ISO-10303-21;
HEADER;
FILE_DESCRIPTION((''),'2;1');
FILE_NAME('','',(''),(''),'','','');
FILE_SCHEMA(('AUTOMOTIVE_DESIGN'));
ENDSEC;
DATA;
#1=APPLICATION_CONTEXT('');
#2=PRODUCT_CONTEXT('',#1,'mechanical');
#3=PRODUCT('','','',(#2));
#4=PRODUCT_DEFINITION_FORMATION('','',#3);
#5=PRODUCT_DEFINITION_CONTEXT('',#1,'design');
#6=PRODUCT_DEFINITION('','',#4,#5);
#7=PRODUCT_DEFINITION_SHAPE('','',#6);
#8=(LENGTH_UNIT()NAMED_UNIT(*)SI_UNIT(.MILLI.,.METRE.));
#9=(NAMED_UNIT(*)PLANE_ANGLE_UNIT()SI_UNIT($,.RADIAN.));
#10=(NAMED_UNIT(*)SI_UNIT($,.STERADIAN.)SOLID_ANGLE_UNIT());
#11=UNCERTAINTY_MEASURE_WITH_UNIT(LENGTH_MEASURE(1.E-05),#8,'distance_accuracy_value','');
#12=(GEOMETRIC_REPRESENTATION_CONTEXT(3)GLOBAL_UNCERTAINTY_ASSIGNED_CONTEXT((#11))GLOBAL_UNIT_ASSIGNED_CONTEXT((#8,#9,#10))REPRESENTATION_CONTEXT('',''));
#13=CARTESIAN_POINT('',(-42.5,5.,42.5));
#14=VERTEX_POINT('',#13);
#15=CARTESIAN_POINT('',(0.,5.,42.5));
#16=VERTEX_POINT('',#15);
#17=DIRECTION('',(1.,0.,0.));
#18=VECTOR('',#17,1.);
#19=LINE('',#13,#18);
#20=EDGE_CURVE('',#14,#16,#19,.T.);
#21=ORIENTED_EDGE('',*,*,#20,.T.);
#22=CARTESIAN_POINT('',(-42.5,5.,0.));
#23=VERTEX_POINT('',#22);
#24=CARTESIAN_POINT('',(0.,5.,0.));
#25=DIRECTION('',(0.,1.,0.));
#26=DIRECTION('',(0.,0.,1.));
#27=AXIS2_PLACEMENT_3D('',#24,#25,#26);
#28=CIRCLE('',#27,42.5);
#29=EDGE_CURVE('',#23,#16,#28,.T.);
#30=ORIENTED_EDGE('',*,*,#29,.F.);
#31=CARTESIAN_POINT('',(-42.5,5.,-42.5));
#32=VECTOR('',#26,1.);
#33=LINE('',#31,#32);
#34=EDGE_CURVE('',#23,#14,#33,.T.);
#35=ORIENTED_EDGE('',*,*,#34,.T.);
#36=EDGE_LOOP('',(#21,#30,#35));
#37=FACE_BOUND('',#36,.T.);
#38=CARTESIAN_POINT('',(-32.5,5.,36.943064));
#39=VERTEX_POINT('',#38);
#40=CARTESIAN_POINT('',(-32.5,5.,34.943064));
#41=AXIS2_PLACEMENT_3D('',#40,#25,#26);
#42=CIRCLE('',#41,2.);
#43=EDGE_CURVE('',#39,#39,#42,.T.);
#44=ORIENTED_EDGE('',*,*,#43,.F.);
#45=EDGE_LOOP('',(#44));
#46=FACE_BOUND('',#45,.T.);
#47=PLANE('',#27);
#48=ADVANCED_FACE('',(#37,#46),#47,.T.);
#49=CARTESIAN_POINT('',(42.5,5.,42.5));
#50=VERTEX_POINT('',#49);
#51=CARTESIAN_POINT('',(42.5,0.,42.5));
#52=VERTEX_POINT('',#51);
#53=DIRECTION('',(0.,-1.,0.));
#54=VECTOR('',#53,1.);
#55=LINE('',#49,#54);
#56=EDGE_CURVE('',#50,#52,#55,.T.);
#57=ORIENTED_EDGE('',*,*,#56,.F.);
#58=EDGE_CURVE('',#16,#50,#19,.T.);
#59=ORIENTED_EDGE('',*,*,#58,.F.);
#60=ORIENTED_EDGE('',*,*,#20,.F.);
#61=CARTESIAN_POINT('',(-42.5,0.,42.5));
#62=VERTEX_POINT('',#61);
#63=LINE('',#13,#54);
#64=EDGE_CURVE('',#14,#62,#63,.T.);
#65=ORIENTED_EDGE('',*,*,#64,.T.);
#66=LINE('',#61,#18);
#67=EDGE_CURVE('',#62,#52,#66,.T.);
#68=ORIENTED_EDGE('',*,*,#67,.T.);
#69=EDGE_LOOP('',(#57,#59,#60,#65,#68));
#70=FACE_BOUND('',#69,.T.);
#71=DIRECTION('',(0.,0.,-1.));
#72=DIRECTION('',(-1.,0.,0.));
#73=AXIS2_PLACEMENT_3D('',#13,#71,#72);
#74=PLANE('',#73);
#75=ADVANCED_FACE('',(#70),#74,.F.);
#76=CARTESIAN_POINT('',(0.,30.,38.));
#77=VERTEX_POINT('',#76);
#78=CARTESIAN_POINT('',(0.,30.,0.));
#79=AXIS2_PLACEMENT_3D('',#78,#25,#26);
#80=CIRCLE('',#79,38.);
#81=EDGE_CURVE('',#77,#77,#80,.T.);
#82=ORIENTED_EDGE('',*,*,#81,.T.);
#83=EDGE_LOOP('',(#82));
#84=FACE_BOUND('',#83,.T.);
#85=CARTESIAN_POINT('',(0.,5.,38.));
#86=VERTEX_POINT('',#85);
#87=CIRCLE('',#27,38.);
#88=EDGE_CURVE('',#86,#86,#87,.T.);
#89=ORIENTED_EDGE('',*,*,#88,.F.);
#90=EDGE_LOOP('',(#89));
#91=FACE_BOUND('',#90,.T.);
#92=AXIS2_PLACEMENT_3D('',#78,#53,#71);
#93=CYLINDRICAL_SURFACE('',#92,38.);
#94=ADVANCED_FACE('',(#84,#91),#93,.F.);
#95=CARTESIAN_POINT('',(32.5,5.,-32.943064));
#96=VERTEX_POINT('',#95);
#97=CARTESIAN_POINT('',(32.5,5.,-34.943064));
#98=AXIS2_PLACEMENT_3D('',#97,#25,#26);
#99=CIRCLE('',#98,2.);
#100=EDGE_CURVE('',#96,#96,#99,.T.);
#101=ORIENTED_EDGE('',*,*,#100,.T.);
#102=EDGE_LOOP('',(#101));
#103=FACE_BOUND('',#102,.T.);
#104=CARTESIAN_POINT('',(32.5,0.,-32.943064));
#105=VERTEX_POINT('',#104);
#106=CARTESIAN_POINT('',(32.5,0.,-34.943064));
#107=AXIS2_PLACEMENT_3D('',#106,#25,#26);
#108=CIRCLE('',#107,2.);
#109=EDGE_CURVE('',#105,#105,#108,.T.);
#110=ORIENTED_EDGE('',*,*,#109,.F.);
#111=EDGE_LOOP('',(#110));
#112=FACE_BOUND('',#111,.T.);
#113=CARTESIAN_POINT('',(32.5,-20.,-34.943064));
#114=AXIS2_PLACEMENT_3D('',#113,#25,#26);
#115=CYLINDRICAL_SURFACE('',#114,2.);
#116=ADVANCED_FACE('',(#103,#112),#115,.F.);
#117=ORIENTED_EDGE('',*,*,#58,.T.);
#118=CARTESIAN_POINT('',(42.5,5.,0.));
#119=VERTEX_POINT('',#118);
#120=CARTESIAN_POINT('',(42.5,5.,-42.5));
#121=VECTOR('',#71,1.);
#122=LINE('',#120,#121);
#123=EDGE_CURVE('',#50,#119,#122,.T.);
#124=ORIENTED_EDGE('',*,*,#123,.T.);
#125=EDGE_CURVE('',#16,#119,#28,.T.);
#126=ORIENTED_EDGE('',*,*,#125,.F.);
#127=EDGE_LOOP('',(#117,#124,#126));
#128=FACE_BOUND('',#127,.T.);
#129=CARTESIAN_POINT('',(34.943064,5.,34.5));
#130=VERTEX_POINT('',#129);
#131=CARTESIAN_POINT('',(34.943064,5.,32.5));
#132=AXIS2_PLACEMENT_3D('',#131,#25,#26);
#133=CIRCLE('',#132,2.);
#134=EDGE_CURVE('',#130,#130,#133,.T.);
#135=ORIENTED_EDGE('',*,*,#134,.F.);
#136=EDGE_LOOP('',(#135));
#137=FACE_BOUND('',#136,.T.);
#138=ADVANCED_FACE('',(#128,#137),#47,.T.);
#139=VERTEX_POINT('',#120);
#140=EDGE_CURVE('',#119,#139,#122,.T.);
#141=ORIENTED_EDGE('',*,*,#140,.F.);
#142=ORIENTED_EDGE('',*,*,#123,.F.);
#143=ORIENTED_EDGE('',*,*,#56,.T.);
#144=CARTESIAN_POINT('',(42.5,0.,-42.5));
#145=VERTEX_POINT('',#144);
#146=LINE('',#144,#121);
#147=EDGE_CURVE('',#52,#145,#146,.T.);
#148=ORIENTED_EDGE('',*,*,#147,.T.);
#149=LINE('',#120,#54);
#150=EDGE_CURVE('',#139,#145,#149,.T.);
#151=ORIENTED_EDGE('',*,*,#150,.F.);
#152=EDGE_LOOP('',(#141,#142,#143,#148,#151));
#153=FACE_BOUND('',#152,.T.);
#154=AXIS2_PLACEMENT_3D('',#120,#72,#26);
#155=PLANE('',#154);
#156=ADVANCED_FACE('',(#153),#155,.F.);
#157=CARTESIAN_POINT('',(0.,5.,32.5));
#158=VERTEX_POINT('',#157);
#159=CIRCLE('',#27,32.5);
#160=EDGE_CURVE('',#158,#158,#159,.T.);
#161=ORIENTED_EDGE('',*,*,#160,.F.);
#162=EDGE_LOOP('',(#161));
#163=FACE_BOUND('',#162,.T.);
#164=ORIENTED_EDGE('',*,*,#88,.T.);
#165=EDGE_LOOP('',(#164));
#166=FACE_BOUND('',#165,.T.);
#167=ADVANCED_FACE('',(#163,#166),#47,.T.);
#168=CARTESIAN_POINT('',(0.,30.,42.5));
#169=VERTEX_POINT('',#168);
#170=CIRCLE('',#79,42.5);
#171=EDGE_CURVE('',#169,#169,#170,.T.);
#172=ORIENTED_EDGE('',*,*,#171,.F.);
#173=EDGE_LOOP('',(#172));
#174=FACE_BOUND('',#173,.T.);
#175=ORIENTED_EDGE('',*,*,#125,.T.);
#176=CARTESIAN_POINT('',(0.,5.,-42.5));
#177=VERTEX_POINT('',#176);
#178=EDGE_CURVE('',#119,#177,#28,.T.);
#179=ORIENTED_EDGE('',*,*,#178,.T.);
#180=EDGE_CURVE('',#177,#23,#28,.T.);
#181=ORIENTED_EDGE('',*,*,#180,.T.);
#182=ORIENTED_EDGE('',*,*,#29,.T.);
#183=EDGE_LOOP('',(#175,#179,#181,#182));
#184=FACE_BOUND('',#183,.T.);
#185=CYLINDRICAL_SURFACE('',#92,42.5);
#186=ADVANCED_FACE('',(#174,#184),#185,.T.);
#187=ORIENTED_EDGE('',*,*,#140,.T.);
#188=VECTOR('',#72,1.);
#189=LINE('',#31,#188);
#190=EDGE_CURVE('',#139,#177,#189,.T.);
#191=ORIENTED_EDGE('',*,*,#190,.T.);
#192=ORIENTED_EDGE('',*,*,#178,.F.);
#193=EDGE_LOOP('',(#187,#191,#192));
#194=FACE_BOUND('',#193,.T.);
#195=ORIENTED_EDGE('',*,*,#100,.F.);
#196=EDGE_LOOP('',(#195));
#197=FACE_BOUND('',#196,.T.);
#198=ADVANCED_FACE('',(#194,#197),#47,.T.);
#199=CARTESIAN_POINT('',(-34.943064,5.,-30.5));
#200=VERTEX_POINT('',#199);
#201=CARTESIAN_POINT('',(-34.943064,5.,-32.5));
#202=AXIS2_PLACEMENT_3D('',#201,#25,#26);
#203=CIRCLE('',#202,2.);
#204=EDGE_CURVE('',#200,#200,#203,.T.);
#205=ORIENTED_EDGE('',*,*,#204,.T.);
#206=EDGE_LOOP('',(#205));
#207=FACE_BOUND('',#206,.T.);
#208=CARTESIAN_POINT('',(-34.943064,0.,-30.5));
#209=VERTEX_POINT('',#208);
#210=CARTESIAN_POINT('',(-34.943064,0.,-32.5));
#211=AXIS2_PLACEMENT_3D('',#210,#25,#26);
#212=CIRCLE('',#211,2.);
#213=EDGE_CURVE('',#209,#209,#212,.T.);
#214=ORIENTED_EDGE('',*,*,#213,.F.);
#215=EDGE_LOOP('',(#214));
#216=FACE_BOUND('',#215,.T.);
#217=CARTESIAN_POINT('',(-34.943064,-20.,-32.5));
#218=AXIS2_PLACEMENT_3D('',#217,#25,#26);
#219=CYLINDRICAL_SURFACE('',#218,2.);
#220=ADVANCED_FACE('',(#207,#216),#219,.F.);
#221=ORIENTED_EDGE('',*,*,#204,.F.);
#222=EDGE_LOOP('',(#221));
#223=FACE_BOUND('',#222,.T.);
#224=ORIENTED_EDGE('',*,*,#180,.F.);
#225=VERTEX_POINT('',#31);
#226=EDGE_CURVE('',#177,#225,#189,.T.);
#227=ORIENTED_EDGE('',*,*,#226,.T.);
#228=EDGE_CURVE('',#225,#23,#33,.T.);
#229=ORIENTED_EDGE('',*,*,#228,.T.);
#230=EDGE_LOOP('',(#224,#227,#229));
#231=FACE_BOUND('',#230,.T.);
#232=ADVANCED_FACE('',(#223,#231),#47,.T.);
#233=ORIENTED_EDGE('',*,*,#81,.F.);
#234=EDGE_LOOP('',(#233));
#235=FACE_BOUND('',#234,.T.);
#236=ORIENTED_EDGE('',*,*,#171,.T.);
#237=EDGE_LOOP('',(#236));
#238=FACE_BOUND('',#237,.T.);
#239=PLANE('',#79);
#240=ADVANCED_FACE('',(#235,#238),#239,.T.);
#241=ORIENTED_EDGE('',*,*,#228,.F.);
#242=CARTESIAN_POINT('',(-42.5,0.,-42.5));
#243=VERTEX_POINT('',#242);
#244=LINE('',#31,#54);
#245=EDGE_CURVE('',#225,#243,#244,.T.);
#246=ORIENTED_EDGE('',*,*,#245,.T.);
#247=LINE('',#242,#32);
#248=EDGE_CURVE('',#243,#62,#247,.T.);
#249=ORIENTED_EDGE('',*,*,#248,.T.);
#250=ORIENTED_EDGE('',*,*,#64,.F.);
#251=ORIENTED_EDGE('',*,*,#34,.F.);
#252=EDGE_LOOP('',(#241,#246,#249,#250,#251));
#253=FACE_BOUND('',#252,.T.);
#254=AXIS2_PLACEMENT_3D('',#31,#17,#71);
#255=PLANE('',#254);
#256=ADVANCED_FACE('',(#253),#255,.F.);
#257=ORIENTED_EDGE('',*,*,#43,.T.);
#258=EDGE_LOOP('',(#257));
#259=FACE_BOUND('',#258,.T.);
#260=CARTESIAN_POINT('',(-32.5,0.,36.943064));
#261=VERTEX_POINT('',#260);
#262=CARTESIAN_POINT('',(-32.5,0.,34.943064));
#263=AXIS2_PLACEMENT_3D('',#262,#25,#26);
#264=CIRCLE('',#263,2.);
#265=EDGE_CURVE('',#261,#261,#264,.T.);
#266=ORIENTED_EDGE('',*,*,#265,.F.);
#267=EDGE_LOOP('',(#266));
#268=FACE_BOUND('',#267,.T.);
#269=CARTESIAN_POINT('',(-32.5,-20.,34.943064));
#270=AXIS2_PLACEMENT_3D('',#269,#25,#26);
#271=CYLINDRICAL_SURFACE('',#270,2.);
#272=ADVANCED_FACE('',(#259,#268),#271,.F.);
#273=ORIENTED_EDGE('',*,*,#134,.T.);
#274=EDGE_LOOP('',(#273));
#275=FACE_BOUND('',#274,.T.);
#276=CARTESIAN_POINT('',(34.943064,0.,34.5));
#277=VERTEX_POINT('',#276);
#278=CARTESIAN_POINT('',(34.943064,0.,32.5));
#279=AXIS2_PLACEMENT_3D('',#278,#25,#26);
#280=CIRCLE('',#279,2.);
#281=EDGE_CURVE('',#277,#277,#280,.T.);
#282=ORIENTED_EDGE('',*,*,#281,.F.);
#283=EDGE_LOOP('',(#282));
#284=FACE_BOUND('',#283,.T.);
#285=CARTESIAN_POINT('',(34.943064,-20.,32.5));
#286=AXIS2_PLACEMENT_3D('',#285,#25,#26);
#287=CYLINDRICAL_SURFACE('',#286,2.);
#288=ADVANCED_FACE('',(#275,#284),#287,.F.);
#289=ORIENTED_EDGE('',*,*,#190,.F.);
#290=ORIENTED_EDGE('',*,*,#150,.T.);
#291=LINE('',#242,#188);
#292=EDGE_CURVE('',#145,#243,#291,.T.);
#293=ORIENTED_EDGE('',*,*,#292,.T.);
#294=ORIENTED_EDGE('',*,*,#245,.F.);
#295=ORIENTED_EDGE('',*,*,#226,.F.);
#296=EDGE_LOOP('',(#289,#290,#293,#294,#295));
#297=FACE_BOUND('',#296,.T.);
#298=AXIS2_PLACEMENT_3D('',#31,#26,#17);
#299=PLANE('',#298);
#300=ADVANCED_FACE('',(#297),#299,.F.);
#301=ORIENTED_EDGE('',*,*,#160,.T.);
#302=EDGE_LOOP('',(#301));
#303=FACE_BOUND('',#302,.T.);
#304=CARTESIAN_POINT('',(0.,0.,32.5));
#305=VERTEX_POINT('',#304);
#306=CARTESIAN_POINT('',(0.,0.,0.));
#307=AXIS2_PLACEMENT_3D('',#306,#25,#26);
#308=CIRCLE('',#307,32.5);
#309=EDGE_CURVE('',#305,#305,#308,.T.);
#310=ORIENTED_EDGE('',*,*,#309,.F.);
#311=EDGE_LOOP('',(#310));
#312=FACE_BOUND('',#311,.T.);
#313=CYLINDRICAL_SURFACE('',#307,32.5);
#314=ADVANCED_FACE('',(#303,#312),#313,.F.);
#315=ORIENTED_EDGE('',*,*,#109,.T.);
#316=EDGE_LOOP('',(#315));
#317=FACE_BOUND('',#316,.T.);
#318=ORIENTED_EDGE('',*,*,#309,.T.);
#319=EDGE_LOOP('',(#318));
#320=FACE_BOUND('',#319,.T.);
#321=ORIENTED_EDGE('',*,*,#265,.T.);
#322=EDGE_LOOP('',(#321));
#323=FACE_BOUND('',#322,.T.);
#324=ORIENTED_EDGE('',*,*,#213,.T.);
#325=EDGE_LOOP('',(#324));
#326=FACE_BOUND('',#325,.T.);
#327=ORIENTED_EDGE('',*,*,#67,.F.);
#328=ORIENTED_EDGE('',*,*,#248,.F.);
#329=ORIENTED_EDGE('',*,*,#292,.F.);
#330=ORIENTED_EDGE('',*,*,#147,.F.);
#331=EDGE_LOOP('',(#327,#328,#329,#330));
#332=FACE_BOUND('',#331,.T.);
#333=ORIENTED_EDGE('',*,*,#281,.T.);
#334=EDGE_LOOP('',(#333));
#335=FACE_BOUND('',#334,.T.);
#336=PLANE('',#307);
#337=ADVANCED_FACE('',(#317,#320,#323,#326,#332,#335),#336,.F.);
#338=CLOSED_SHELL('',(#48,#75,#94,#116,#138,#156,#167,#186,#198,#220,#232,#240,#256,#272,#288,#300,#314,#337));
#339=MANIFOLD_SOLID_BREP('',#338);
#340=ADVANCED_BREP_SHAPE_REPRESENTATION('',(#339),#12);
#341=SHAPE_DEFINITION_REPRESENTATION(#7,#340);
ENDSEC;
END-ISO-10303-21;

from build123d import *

# Parameters (mm, degrees)
IZIM1_W                     = 85
IZIM1_H                     = 85
Y_KSEKLIK_EKSTR_ZYON1_DEPTH = 5
IZIM2_R                     = 32.5
KES_EKSTR_ZYON1_DEPTH       = 5
IZIM3_R                     = 42.5
IZIM3_R_2                   = 38
Y_KSEKLIK_EKSTR_ZYON2_DEPTH = 25
IZIM4_R                     = 2
KES_EKSTR_ZYON2_DEPTH       = 25


with BuildPart() as part:
    # Çizim1 → Yükseklik-Ekstrüzyon1 (new body)
    with BuildSketch(Plane(origin=(0, 0, 0), x_dir=(1, 0, 0), z_dir=(0, 1, 0))):
        Rectangle(IZIM1_W, IZIM1_H)
    extrude(amount=Y_KSEKLIK_EKSTR_ZYON1_DEPTH)

    # Çizim2 → Kes-Ekstrüzyon1 (cut)
    with BuildSketch(Plane(origin=(0, 5, 0), x_dir=(1, 0, 0), z_dir=(0, 1, 0))):
        with Locations(Location((0, 0, 0), (0, 0, 270))):
            Circle(IZIM2_R)
    extrude(amount=-KES_EKSTR_ZYON1_DEPTH, mode=Mode.SUBTRACT)

    # Çizim3 → Yükseklik-Ekstrüzyon2 (add)
    with BuildSketch(Plane(origin=(0, 5, 0), x_dir=(1, 0, 0), z_dir=(0, 1, 0))):
        with Locations(Location((0, 0, 0), (0, 0, 270))):
            Circle(IZIM3_R)
        with Locations(Location((0, 0, 0), (0, 0, 270))):
            Circle(IZIM3_R_2, mode=Mode.SUBTRACT)
    extrude(amount=Y_KSEKLIK_EKSTR_ZYON2_DEPTH)

    # Çizim4 → Kes-Ekstrüzyon2 (cut)
    with BuildSketch(Plane(origin=(0, 5, 0), x_dir=(1, 0, 0), z_dir=(0, 1, 0))):
        with Locations(Location((-34.943063938, 32.5, 0), (0, 0, 270))):
            Circle(IZIM4_R)
        with Locations(Location((32.5, 34.943063938, 0), (0, 0, 270))):
            Circle(IZIM4_R)
        with Locations(Location((34.943063938, -32.5, 0), (0, 0, 270))):
            Circle(IZIM4_R)
        with Locations(Location((-32.5, -34.943063938, 0), (0, 0, 270))):
            Circle(IZIM4_R)
    extrude(amount=-KES_EKSTR_ZYON2_DEPTH, mode=Mode.SUBTRACT)


solid = part.part
